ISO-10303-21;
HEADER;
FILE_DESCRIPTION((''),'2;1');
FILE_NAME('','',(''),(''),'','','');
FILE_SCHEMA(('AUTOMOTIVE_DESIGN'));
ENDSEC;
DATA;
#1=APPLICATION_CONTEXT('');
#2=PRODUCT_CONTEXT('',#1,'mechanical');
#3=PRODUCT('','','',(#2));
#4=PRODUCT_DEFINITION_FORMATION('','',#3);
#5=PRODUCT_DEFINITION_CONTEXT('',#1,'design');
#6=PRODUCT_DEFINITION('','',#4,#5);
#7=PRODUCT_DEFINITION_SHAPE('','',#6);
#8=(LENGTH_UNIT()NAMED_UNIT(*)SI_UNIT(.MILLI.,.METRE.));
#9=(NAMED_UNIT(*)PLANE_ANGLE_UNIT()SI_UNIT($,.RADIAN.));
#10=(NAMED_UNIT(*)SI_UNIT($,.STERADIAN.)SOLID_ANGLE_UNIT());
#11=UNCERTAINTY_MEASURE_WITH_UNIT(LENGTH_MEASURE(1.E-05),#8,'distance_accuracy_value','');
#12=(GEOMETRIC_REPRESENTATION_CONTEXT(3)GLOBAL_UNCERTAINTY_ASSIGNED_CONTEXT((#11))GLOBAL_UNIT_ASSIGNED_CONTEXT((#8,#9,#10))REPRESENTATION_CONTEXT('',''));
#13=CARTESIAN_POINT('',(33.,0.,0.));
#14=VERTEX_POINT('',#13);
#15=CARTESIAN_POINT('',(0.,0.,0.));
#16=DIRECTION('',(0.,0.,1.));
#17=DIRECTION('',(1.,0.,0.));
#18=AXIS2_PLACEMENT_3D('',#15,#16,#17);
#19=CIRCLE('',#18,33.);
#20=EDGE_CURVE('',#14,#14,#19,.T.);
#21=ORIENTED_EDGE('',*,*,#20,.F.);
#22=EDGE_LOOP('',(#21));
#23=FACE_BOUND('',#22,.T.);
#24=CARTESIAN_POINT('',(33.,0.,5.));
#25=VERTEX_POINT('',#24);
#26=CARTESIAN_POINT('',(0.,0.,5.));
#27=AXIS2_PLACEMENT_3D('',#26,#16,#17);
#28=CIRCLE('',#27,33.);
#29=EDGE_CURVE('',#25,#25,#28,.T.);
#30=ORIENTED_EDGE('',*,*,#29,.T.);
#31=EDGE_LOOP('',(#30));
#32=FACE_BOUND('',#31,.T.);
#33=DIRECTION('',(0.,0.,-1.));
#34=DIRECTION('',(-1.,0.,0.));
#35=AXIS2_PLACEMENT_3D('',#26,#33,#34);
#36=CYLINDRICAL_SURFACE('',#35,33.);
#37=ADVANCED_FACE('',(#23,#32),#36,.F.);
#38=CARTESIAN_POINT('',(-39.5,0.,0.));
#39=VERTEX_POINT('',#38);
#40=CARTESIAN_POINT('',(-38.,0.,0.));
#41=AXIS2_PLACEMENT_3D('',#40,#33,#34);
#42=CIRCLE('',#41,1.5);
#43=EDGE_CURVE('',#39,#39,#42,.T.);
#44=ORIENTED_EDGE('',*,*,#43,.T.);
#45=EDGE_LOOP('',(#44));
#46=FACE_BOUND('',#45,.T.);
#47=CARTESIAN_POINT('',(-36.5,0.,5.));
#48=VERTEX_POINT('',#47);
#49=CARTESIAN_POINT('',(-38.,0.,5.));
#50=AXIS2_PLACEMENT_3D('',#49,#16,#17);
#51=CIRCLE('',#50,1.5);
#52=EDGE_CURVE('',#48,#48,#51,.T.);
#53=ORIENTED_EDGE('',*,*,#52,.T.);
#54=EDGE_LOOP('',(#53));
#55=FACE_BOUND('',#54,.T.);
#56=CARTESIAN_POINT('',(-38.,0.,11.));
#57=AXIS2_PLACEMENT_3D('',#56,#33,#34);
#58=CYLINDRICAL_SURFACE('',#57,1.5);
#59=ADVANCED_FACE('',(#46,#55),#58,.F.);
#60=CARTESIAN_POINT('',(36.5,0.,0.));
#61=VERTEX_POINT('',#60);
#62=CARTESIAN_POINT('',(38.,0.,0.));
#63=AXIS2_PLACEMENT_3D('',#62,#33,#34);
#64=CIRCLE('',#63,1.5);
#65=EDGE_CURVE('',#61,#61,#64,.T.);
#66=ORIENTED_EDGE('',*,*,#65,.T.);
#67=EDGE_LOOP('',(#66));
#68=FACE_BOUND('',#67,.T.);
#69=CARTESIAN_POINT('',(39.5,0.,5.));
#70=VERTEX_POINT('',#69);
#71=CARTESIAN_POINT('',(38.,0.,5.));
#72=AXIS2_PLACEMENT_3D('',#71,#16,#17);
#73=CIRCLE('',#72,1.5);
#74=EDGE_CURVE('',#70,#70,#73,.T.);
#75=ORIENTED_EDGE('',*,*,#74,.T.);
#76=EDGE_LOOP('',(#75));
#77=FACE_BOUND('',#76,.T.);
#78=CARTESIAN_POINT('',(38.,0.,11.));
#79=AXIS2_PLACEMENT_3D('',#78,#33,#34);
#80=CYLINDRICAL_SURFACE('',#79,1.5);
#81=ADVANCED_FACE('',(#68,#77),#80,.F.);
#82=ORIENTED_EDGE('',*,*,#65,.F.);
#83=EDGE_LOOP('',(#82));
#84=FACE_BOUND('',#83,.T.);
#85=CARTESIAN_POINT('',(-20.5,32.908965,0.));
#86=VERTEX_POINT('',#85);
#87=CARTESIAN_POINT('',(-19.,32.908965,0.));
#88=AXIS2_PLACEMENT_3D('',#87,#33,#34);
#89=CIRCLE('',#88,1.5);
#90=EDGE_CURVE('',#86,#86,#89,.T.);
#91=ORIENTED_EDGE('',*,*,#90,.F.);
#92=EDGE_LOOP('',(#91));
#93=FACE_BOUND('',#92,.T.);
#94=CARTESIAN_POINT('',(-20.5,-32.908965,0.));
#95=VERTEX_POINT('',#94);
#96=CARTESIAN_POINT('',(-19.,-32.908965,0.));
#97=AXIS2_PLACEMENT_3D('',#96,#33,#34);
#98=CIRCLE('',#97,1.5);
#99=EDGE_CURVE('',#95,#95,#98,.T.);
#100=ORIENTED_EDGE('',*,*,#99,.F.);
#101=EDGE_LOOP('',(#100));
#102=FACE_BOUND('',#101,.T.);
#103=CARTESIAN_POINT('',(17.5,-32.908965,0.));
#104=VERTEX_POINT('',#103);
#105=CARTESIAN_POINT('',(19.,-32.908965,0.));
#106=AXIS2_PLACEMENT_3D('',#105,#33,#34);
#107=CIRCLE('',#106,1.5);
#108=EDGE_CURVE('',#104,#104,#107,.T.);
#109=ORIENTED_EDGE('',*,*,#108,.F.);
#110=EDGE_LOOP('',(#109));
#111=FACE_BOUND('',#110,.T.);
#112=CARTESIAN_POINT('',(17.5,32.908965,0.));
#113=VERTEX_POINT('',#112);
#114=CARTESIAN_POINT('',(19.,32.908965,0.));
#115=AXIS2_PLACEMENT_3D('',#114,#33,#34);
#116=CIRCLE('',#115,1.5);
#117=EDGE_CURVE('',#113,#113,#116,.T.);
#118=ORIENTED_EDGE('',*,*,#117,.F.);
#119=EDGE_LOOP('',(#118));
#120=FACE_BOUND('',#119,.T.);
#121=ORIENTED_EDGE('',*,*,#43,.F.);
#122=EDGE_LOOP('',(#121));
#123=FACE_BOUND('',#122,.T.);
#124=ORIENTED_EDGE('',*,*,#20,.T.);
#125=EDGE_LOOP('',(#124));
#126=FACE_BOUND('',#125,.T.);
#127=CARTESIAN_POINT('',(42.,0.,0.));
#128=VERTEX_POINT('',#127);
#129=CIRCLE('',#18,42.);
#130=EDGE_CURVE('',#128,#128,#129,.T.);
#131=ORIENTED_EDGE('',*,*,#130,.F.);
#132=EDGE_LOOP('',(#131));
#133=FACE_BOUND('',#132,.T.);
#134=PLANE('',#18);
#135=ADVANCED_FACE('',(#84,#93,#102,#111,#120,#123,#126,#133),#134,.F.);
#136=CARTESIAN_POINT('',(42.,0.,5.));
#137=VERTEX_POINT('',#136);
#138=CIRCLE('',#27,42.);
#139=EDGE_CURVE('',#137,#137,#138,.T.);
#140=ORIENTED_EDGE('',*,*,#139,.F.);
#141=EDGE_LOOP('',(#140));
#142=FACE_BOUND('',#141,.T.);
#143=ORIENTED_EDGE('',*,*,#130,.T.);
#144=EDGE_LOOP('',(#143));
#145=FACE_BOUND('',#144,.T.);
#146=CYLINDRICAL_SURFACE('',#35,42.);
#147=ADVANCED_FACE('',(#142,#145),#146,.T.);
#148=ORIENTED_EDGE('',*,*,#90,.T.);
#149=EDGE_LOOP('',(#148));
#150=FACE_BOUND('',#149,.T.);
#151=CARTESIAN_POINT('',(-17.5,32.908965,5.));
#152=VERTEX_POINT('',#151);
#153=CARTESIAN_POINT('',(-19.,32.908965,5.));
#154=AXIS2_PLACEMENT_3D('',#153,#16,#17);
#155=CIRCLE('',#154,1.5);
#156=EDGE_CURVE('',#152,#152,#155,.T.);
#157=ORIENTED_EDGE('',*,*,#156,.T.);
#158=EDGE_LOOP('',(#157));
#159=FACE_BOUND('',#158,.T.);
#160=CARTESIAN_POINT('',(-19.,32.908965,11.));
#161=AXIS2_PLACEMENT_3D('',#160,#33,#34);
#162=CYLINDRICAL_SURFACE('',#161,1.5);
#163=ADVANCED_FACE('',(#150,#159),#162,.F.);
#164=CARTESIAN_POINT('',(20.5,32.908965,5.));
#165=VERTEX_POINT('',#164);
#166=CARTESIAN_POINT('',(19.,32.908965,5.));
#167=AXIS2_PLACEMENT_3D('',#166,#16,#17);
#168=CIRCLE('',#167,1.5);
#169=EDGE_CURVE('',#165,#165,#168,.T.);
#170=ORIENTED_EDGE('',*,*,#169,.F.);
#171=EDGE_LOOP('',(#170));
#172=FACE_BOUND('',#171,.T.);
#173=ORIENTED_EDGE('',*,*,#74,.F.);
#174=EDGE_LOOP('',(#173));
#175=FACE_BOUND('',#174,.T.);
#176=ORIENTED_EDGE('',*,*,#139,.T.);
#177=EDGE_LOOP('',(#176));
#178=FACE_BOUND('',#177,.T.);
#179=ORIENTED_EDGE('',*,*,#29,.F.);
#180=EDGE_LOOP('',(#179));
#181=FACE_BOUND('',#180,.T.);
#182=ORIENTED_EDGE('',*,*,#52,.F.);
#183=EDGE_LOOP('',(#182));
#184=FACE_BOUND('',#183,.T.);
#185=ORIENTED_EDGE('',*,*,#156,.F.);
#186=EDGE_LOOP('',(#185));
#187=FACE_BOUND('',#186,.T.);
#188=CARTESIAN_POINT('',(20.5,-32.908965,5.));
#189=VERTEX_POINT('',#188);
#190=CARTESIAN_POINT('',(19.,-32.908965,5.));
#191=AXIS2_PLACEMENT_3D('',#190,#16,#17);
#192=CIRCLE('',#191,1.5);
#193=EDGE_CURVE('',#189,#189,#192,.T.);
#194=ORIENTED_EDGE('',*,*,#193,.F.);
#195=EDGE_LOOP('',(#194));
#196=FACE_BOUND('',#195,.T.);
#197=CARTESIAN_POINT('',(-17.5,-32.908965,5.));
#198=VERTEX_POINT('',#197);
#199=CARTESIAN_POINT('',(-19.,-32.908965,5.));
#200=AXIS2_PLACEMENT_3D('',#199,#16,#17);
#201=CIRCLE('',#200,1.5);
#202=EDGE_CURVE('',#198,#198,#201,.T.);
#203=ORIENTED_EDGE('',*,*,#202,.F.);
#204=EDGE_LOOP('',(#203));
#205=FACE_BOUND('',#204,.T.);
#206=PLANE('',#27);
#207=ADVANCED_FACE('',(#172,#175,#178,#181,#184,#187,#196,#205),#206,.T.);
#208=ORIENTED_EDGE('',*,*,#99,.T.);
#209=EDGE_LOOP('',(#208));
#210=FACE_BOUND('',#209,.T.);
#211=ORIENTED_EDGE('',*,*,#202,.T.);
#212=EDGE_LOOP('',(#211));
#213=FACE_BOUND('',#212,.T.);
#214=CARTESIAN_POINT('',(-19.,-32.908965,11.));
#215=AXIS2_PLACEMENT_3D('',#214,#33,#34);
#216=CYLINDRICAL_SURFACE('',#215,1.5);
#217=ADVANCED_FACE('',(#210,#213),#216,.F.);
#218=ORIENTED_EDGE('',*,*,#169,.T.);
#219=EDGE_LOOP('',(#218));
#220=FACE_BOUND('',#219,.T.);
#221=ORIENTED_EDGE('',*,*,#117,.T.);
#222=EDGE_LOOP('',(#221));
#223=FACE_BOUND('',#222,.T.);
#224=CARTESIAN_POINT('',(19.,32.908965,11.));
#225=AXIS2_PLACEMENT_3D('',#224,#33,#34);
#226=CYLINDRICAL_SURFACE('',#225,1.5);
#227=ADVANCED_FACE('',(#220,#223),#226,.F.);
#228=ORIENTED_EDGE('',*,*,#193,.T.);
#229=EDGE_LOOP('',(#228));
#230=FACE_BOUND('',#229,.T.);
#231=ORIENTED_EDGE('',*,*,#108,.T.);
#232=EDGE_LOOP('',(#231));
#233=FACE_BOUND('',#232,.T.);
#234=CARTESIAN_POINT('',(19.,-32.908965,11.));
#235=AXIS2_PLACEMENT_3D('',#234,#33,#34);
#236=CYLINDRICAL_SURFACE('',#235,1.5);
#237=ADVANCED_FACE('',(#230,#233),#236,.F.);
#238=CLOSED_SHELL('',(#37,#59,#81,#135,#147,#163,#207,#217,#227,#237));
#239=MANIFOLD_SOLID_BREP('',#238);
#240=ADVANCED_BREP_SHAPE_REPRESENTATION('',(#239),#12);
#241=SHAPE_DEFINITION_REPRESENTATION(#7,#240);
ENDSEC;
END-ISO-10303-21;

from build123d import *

# Parameters (mm, degrees)
SKETCH1_R           = 42
SKETCH1_R_2         = 33
BOSS_EXTRUDE1_DEPTH = 5
SKETCH2_R           = 1.5
CUT_EXTRUDE1_DEPTH  = 11


with BuildPart() as part:
    # Sketch1 → Boss-Extrude1 (new body)
    with BuildSketch(Plane.XY):
        Circle(SKETCH1_R)
        Circle(SKETCH1_R_2, mode=Mode.SUBTRACT)
    extrude(amount=BOSS_EXTRUDE1_DEPTH)

    # Sketch2 → Cut-Extrude1 (cut)
    with BuildSketch(Plane(origin=(0, 0, 0), x_dir=(-1, 0, 0), z_dir=(0, 0, -1))):
        with Locations((-19, 32.908965344)):
            Circle(SKETCH2_R)
        with Locations((19, 32.908965344)):
            Circle(SKETCH2_R)
        with Locations((38, 0)):
            Circle(SKETCH2_R)
        with Locations((19, -32.908965344)):
            Circle(SKETCH2_R)
        with Locations((-19, -32.908965344)):
            Circle(SKETCH2_R)
        with Locations((-38, 0)):
            Circle(SKETCH2_R)
    extrude(amount=-CUT_EXTRUDE1_DEPTH, mode=Mode.SUBTRACT)


solid = part.part
